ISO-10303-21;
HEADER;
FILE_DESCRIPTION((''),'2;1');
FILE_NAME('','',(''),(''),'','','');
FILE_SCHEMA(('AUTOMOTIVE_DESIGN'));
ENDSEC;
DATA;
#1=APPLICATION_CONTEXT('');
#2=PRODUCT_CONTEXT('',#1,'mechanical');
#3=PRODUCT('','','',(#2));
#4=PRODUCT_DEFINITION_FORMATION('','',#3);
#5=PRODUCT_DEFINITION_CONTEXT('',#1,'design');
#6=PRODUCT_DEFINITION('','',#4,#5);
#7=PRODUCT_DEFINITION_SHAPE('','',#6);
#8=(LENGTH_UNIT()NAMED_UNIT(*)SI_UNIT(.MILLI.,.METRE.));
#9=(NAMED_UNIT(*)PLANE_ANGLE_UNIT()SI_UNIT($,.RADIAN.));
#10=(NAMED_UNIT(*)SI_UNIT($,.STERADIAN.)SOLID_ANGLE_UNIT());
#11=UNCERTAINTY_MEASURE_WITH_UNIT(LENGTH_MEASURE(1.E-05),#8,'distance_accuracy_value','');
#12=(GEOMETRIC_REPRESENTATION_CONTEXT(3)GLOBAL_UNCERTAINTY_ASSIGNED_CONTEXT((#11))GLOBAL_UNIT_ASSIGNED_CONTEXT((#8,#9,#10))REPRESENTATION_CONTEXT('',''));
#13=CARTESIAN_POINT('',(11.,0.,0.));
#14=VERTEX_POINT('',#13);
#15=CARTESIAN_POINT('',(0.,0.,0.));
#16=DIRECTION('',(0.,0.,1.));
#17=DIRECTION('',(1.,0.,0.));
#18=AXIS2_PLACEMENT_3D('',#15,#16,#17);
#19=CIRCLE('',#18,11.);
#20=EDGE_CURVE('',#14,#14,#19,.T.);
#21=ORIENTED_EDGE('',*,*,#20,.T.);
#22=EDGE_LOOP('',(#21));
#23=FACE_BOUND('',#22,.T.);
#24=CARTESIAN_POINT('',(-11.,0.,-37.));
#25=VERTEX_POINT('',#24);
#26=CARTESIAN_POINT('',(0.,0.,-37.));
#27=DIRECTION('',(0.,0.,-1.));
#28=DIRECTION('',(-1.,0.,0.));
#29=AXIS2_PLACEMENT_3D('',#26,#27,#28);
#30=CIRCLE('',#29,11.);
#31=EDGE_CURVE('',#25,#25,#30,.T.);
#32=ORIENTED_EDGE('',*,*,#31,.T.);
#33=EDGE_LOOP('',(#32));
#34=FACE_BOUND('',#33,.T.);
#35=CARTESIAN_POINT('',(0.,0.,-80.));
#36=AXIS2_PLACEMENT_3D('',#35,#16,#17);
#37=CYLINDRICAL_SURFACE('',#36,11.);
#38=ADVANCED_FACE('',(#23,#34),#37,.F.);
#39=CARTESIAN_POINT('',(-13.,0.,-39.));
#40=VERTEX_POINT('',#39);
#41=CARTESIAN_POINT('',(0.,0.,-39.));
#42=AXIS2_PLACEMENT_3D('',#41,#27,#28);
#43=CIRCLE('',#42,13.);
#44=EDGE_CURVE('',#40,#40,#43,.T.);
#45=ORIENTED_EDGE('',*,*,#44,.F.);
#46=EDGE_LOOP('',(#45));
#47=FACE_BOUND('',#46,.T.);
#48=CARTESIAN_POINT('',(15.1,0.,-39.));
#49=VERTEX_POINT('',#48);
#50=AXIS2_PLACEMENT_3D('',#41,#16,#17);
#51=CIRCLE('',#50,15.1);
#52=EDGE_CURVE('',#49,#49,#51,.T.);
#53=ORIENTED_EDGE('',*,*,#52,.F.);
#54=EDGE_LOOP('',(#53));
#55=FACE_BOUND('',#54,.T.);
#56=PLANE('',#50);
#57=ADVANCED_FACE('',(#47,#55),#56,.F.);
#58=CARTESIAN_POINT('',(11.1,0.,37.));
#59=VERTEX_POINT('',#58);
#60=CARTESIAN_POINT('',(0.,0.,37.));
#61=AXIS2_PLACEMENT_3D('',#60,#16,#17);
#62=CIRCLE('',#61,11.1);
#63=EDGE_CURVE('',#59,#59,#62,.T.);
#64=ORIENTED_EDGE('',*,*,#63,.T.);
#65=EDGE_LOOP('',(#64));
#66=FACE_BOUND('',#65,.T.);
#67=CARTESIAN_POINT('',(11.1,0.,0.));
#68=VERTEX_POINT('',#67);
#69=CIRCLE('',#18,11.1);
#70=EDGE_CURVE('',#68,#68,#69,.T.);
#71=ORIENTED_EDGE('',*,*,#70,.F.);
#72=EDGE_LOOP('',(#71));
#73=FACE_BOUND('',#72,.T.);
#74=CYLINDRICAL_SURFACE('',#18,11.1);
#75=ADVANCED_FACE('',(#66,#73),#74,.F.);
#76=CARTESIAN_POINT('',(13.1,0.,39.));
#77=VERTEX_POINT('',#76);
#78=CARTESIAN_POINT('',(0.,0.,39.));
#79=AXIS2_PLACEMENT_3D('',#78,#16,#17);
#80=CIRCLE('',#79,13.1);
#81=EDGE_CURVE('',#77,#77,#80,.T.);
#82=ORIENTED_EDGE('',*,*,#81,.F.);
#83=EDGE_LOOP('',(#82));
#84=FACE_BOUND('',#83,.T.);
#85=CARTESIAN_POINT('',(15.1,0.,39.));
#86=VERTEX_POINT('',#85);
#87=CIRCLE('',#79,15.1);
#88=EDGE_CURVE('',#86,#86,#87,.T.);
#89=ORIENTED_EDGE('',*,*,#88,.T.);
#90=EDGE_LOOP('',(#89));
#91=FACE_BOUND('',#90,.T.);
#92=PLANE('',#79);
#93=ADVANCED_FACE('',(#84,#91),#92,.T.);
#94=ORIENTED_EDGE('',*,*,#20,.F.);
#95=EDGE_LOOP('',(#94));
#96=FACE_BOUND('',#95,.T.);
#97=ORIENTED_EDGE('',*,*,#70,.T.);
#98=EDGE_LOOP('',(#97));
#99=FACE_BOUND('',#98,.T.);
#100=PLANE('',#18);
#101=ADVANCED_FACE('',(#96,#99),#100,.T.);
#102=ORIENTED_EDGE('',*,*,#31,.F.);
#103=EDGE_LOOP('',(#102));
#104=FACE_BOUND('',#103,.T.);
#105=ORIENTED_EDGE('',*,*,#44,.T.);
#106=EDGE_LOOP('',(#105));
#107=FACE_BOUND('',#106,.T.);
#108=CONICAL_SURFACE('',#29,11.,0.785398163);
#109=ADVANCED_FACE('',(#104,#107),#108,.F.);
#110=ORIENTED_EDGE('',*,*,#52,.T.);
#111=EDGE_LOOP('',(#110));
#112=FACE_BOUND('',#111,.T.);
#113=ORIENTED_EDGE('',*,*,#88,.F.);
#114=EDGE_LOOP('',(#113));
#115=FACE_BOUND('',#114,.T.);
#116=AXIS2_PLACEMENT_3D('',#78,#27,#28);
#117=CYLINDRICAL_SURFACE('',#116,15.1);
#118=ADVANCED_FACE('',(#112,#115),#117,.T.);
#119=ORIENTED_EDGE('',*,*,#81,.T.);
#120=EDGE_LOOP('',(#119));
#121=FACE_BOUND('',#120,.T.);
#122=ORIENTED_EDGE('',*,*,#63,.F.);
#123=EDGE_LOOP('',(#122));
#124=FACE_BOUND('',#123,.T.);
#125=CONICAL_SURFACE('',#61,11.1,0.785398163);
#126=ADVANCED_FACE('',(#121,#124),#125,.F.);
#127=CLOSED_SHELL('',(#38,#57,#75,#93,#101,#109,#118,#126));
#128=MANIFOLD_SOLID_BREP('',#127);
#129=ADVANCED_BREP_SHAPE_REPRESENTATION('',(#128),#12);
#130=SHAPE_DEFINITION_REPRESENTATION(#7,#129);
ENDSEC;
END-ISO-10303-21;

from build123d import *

# Parameters (mm, degrees)
SKETCH_1_R            = 15.1
EXTRUDE_1_DEPTH       = 39
SKETCH_4_R            = 11.1
CUT_EXTRUDE_475_DEPTH = 45.463693054
EXTRUDE_START         = -39
SKETCH_1_6_R          = 15.1
EXTRUDE_3_DEPTH       = 39
SKETCH_12_R           = 11
CUT_EXTRUDE_2_DEPTH   = 80


with BuildPart() as part:
    # 草图1 → 凸台-拉伸1 (new body)
    with BuildSketch(Plane.XY):
        Circle(SKETCH_1_R)
    extrude(amount=EXTRUDE_1_DEPTH)

    # 草图4 → Cut-Extrude 475 (cut, through all)
    with BuildSketch(Plane.XY.offset(39)):
        Circle(SKETCH_4_R)
    extrude(amount=-CUT_EXTRUDE_475_DEPTH, mode=Mode.SUBTRACT)

    # 草图8 → 切除-旋转1 (revolve, cut)
    with BuildSketch(Plane(origin=(0, 0, 0), x_dir=(1, 0, 0), z_dir=(0, 1, 0))):
        Polygon((-11.1, -37), (-11.1, -39), (-13.1, -39), align=None)
    revolve(axis=Axis((0, 0, 0), (0, 0, -1)), mode=Mode.SUBTRACT)

    # 草图1<6> → 凸台-拉伸3 (add)
    with BuildSketch(Plane.XY.offset(EXTRUDE_START)):
        Circle(SKETCH_1_6_R)
    extrude(amount=EXTRUDE_3_DEPTH)

    # 草图12 → 切除-拉伸2 (cut)
    with BuildSketch(Plane.XY):
        Circle(SKETCH_12_R)
    extrude(amount=-CUT_EXTRUDE_2_DEPTH, mode=Mode.SUBTRACT)

    # 草图14 → 切除-旋转2 (revolve, cut)
    with BuildSketch(Plane(origin=(0, 0, 0), x_dir=(1, 0, 0), z_dir=(0, 1, 0))):
        Polygon((11, 39), (13, 39), (11, 37), align=None)
    revolve(axis=Axis((0, 0, -39), (0, 0, 1)), mode=Mode.SUBTRACT)


solid = part.part
